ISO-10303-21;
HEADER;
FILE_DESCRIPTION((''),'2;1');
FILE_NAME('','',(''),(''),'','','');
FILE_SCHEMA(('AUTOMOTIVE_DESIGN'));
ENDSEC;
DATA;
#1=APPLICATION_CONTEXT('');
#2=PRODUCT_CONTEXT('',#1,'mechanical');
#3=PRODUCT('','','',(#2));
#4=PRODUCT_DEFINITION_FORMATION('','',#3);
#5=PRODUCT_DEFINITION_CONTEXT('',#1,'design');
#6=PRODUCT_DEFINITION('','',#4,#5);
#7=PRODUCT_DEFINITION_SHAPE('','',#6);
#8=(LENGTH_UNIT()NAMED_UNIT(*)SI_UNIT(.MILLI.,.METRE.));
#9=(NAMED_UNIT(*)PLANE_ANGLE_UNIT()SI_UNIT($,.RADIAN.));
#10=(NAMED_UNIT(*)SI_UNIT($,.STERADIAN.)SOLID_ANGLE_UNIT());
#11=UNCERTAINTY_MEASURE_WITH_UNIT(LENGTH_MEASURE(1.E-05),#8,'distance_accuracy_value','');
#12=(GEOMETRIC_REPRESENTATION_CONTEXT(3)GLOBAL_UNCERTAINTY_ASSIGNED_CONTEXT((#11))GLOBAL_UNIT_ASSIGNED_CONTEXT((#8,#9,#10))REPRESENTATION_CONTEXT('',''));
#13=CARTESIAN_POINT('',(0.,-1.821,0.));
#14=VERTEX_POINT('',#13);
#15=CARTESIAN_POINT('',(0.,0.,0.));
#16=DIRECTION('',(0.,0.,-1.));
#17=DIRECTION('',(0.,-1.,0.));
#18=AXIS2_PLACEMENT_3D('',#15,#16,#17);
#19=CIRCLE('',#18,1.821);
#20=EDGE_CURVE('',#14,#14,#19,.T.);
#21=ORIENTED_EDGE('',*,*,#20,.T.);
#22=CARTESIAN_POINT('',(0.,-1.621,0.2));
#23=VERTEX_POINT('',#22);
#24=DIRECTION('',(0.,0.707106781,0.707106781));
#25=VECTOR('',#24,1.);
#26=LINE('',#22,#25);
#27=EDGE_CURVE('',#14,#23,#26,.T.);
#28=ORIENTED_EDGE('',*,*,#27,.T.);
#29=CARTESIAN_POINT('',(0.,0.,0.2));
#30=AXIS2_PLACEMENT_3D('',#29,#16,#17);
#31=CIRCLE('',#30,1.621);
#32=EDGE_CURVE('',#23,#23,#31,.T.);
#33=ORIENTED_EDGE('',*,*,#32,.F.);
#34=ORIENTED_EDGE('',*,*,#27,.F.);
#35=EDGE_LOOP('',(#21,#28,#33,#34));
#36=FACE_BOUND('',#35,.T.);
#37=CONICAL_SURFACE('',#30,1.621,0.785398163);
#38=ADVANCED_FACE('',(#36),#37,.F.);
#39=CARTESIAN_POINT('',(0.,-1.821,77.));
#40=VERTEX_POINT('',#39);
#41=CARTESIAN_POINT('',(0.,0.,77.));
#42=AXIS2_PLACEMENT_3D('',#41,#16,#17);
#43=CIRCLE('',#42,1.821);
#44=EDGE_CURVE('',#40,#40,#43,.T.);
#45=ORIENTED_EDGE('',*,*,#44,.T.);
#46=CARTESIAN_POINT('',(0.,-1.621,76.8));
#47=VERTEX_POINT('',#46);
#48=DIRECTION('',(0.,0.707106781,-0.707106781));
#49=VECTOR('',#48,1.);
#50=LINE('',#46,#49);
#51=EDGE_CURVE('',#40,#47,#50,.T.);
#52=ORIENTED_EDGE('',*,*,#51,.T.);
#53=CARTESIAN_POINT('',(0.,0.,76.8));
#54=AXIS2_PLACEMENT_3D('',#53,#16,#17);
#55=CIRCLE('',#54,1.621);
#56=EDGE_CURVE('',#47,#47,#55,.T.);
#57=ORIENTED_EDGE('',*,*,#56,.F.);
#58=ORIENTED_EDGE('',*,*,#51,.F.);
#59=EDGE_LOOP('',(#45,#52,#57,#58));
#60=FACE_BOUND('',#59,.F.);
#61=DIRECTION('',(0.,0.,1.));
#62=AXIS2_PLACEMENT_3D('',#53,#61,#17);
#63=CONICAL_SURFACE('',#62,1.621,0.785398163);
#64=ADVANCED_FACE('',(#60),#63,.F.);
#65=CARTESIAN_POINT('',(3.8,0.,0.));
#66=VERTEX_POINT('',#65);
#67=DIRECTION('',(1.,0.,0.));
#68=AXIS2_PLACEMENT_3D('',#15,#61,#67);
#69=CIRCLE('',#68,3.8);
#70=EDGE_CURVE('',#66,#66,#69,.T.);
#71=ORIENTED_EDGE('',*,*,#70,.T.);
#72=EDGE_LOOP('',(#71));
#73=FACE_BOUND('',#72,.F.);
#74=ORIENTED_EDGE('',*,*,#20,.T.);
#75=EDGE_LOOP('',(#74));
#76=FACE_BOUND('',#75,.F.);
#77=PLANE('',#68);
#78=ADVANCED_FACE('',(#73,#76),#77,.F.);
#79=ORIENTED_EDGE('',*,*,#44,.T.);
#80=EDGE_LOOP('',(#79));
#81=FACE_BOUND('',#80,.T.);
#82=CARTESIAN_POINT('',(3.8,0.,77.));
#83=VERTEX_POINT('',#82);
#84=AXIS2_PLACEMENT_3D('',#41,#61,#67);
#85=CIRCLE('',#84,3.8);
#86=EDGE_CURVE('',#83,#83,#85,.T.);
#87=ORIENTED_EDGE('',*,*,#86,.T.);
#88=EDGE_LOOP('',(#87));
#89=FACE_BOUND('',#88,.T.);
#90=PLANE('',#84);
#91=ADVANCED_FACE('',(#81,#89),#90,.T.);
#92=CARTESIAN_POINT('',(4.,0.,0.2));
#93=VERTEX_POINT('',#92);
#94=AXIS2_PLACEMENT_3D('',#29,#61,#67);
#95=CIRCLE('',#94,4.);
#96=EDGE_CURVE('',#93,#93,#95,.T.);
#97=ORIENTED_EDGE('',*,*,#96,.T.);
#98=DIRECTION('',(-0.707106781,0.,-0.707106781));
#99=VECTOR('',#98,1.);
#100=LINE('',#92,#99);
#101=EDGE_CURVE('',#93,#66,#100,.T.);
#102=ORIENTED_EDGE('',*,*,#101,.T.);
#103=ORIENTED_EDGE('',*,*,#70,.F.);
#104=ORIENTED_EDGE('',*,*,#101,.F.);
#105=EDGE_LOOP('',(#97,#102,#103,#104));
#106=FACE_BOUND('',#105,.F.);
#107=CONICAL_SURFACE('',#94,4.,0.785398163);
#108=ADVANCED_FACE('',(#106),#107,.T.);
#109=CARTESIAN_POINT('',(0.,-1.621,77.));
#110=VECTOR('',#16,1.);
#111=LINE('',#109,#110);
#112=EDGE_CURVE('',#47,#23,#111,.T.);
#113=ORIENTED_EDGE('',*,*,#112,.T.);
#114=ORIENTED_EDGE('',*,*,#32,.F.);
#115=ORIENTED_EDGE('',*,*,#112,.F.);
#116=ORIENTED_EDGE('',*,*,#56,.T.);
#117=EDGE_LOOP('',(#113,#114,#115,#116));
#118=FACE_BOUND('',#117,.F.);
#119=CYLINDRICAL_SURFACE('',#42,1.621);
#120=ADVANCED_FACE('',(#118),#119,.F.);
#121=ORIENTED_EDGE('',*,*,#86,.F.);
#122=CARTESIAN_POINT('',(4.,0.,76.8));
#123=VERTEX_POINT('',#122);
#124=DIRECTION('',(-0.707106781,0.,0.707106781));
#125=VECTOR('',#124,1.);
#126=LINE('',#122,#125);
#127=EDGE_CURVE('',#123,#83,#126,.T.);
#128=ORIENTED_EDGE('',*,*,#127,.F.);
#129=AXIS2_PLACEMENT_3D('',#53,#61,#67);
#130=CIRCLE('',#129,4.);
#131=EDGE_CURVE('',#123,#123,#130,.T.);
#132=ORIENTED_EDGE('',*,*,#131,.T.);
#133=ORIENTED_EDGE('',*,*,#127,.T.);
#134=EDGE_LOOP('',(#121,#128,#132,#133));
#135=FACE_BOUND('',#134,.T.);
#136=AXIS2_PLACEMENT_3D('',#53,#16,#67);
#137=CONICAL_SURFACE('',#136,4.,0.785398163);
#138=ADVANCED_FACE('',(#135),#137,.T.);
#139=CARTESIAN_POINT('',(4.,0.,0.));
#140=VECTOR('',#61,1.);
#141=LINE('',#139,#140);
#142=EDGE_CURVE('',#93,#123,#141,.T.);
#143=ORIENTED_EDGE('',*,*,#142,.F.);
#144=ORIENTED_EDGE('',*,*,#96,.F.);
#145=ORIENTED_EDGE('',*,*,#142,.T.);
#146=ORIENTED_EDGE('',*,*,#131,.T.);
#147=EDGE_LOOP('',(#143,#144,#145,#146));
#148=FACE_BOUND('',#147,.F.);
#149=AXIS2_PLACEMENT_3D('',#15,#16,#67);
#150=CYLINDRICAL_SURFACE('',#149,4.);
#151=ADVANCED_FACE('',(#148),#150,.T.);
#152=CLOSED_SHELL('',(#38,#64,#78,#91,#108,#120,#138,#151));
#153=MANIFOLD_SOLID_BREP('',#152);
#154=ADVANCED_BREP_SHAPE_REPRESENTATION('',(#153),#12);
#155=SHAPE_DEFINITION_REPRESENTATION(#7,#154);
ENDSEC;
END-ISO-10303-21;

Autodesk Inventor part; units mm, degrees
ref_plane "YZ Plane" through (0, 0, 0) normal (1, 0, 0) x (0, 1, 0)
ref_plane "XZ Plane" through (0, 0, 0) normal (0, 1, 0) x (-1, 0, 0)
ref_plane "XY Plane" through (0, 0, 0) normal (0, 0, 1) x (1, 0, 0)
sketch "スケッチ1" plane through (0, 0, 0) normal (0, 0, 1) x (1, 0, 0)
  circle A0 centre (0, 0) radius 4
  dimension "d13" = 8
extrude "押し出し1" add sketch "スケッチ1" along normal blind 77
sketch "スケッチ2" plane through (0, 0, 77) normal (0, 0, 1) x (1, 0, 0)
  point P0 (0, 0)
  point P1 (0, 0)
hole "穴1" at (0, 0, 77) direction (0, 0, -1) diameter 3.242 end through all thread size "M4x0.7" class "6H" standard "ANSI Metric M Profile"
chamfer "面取り1" distance 0.2 angle 45 4 edges at (0, 1.621, 77) (0, 1.621, 0) (-4, 0, 77) (-4, 0, 0)
properties part number "ARF-4_2" material "鋼、炭素鋼"
